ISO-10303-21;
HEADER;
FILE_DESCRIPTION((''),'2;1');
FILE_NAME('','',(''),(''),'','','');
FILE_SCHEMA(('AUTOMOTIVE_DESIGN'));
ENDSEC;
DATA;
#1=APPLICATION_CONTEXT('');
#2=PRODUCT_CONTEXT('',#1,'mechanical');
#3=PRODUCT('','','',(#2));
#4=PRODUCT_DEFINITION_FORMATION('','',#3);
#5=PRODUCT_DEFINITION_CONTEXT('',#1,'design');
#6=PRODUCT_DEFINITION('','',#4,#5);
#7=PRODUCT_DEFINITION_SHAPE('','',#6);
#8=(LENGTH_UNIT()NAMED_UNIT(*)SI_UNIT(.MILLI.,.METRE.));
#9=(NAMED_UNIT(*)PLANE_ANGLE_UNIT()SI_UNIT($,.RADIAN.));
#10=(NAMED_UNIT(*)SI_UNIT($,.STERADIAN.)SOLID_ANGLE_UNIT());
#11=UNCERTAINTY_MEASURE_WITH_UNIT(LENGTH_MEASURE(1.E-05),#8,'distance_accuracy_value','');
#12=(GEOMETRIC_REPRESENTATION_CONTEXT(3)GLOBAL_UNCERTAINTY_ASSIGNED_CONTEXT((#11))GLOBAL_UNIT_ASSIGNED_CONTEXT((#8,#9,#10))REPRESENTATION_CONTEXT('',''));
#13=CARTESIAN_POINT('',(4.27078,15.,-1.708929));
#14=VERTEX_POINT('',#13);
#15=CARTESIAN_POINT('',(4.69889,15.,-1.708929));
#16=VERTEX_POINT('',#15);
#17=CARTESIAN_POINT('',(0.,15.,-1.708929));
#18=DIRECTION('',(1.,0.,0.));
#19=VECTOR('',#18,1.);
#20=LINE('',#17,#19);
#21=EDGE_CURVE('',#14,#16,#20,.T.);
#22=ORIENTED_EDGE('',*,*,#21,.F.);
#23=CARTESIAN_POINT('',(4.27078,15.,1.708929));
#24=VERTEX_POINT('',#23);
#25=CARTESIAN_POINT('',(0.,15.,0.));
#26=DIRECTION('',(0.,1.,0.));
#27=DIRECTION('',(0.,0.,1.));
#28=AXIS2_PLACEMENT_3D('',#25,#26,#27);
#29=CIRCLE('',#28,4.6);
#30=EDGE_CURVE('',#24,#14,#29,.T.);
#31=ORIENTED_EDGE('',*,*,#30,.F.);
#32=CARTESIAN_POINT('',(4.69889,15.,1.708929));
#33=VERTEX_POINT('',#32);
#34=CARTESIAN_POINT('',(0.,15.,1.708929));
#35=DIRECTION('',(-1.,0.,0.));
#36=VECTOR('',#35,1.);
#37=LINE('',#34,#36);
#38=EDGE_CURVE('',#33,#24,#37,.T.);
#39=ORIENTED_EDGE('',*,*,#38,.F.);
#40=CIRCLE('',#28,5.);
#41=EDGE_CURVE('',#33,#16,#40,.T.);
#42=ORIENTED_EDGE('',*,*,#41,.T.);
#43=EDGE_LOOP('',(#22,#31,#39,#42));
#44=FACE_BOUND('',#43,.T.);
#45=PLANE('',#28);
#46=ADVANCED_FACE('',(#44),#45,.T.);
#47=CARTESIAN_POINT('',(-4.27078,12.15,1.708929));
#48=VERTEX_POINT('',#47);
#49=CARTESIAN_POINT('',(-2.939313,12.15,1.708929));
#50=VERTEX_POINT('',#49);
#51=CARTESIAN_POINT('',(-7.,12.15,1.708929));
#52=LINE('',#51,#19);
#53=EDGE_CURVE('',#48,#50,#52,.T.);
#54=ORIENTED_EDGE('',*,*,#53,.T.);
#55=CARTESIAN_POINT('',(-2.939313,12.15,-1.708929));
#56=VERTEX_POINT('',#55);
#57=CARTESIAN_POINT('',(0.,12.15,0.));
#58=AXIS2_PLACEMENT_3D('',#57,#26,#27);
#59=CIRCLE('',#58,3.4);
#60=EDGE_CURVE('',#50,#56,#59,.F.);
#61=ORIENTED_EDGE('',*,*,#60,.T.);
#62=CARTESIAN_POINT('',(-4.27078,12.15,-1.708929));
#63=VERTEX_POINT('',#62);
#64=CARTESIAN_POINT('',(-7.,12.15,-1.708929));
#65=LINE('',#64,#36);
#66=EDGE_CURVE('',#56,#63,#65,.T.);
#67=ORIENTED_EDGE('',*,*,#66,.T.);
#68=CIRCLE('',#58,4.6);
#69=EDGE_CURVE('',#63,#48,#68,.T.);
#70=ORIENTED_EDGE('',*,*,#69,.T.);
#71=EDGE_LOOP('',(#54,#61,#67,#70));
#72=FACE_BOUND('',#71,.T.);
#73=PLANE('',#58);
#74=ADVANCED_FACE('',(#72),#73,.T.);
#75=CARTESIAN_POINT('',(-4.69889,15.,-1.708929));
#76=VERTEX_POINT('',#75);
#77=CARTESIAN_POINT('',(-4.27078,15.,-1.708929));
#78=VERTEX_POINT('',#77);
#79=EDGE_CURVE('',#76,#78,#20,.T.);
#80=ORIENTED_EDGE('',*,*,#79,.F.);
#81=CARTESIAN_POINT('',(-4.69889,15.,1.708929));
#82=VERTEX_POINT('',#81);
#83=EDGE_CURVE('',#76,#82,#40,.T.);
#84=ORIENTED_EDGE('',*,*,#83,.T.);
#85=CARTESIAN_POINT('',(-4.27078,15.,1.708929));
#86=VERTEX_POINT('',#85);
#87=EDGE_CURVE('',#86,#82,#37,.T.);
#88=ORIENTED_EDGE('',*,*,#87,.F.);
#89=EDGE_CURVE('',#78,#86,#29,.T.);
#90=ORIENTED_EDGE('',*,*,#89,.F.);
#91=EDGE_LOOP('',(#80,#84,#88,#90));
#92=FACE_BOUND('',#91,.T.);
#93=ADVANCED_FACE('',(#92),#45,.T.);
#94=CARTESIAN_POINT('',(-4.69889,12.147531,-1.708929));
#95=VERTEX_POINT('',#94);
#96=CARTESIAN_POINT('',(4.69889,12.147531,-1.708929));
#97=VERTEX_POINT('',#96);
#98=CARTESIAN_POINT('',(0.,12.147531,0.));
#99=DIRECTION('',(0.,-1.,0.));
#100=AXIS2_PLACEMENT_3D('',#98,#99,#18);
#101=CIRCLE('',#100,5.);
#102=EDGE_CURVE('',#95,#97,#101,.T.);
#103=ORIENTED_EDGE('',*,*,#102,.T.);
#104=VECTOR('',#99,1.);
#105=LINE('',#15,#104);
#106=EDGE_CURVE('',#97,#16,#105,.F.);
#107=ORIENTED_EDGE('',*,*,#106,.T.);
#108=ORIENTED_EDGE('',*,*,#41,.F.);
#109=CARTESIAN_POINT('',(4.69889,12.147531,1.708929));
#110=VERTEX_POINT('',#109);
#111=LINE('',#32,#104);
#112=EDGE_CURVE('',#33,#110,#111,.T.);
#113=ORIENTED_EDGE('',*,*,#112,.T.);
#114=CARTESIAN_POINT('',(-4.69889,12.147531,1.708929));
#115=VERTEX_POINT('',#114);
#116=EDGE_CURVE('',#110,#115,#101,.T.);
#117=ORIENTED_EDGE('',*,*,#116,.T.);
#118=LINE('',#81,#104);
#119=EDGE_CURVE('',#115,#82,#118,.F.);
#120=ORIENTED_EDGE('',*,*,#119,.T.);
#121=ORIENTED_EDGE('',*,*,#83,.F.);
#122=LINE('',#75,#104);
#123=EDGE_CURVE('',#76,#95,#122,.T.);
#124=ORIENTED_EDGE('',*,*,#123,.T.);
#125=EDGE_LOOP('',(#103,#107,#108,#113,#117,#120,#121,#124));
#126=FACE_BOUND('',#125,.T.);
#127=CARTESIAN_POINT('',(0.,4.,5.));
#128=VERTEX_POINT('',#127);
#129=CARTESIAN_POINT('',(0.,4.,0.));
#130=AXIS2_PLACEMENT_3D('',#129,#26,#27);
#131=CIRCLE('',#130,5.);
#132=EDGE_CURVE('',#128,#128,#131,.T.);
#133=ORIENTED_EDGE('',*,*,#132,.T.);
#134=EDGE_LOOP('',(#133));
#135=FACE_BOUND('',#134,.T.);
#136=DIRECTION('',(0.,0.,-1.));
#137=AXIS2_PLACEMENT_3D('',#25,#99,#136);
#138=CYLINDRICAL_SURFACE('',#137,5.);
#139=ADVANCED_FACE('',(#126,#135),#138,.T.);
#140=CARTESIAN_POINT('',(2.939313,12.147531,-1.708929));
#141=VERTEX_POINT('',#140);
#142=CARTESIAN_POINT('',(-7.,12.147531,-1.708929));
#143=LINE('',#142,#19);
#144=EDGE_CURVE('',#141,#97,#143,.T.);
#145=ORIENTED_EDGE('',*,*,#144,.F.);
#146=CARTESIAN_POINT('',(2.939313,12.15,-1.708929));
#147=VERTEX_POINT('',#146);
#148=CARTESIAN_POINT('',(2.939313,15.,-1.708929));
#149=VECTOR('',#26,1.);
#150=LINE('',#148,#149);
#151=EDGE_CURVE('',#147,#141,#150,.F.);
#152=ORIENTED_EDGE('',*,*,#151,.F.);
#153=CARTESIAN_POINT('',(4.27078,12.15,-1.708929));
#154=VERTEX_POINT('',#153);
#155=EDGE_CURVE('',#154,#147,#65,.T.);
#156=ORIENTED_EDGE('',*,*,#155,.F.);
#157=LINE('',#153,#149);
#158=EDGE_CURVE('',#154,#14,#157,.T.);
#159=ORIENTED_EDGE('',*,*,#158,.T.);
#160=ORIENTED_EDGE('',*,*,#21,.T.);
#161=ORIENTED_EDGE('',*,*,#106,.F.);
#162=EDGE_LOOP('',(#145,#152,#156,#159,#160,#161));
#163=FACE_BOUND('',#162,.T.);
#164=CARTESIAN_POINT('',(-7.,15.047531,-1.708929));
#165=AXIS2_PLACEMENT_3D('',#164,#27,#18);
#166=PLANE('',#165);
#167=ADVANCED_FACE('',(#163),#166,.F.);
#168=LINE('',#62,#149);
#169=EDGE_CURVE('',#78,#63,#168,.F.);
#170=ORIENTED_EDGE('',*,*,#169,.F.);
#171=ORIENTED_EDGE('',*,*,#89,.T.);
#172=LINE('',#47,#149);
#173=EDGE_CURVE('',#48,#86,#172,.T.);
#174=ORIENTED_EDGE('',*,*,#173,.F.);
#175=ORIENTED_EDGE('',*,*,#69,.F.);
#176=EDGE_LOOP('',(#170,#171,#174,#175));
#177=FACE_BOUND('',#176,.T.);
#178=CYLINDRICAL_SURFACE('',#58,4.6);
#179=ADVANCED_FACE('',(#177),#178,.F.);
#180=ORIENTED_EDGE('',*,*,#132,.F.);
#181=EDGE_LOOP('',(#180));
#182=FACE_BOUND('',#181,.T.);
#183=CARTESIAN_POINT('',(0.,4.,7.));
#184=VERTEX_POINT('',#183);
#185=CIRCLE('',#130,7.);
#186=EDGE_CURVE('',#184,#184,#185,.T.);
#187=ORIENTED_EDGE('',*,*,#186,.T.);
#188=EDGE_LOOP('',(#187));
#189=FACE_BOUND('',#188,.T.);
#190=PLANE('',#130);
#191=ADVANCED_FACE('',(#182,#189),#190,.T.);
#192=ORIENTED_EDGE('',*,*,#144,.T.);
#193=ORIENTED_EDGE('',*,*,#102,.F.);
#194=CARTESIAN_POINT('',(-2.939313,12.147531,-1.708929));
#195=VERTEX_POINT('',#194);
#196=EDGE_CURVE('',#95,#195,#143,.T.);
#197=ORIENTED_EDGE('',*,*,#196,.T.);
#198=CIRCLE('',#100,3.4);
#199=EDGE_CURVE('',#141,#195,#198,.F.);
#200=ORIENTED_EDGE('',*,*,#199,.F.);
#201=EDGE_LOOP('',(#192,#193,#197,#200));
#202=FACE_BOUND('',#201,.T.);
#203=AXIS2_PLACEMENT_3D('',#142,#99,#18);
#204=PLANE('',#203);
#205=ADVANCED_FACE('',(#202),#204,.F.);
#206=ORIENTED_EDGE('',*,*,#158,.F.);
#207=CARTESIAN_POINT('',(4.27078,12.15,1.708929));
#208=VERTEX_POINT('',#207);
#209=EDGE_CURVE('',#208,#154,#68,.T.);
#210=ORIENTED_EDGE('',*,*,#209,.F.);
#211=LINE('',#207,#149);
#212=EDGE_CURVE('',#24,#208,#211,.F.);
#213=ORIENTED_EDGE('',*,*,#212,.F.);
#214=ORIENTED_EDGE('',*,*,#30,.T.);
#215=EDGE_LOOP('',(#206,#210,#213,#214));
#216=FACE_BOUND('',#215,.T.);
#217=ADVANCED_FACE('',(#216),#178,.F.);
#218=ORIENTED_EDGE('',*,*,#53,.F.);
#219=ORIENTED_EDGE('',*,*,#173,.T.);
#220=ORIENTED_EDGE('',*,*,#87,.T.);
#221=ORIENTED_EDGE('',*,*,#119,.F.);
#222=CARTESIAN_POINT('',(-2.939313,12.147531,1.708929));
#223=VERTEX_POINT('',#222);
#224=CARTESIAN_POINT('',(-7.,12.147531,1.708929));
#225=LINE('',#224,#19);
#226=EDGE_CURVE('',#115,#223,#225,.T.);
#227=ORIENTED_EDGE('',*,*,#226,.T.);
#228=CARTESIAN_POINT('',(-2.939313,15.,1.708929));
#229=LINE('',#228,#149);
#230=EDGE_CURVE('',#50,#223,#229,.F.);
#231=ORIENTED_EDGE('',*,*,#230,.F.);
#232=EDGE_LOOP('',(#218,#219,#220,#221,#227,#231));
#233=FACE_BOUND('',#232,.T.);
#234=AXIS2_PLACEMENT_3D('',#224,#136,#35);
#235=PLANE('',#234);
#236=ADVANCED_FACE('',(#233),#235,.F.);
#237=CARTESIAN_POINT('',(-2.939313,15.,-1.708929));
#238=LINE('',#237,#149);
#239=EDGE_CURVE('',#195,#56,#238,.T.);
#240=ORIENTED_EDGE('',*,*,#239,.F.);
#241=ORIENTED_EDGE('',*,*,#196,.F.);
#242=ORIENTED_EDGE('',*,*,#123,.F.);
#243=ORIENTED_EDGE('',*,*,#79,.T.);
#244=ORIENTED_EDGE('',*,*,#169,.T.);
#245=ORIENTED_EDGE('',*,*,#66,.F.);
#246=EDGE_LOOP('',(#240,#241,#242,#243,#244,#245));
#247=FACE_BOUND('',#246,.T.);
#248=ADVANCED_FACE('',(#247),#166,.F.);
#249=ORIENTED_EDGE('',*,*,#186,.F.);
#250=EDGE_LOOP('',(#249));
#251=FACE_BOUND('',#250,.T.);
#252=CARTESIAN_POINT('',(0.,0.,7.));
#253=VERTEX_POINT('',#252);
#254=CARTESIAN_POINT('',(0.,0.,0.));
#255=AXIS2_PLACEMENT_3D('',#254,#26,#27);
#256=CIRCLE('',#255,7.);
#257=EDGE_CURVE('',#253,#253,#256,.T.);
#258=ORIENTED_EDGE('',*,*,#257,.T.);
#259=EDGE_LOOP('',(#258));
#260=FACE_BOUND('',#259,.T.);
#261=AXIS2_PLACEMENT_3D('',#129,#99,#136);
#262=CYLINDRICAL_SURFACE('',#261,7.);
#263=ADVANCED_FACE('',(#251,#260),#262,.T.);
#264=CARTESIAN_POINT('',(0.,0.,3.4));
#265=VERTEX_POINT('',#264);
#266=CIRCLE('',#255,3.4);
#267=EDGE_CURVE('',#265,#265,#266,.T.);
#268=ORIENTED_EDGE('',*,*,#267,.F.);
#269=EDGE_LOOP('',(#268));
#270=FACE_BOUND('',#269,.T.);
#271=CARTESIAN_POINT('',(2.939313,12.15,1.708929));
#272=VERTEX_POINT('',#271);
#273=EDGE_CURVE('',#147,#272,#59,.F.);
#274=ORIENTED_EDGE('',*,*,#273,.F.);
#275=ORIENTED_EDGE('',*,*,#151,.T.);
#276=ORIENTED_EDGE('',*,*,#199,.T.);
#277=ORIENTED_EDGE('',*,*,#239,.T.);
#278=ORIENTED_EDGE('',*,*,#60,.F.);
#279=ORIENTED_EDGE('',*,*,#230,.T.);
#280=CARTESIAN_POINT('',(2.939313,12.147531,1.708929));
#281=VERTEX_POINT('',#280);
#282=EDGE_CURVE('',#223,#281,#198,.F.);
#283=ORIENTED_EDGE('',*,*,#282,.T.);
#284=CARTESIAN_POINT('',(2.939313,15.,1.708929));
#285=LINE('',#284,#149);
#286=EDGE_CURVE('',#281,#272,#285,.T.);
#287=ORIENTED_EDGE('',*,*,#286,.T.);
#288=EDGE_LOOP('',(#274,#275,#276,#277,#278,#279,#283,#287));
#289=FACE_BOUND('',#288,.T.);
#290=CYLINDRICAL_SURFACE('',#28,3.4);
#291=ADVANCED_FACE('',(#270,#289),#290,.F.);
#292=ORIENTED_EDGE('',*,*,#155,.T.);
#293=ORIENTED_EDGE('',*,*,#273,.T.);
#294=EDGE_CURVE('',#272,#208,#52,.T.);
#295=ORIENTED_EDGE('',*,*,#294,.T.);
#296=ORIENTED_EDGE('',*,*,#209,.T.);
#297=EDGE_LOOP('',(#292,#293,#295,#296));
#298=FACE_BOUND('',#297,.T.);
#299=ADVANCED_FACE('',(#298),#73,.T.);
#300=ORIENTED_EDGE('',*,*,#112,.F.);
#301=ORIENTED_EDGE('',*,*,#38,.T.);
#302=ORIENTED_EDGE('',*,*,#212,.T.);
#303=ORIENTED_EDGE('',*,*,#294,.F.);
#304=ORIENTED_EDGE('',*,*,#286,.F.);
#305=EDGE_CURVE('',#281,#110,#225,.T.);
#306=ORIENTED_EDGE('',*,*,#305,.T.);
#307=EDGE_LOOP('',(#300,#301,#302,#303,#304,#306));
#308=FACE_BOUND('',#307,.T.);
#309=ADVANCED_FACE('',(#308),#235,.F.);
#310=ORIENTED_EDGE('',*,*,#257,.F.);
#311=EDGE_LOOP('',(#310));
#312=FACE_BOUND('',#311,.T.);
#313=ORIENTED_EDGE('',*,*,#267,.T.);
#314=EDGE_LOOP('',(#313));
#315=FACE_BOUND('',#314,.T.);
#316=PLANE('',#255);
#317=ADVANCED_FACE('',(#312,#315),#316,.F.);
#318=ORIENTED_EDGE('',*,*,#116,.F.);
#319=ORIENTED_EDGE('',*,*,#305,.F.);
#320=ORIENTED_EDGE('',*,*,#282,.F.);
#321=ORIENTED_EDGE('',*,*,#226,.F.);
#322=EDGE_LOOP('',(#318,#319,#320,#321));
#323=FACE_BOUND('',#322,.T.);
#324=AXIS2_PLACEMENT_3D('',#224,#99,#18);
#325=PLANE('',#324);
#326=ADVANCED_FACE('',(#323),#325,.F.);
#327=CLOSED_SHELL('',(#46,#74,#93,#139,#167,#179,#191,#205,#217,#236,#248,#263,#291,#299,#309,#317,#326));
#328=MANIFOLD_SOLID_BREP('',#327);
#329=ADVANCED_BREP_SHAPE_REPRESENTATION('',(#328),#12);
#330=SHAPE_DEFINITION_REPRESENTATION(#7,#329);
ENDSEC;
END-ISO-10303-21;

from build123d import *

# Parameters (mm, degrees)
SKETCH_1_R                   = 7
EXTRUDE_1_DEPTH              = 4
SKETCH_5_R                   = 5
EXTRUDE_2_DEPTH              = 11
HOLE_WIZARD_M8_1_D           = 6.8
HOLE_WIZARD_M8_1_ON_FACE_2_D = 6.8
CUT_EXTRUDE_4_DEPTH          = 21.443853316
CUT_EXTRUDE_4_DEPTH_BACK     = 21.443853316
SKETCH_11_W                  = 5.891851166
SKETCH_11_H                  = 2.9
SKETCH_11_W_2                = 4.303127725
SKETCH_12_R                  = 4.6
CUT_EXTRUDE_5_DEPTH          = 2.85


with BuildPart() as part:
    # 草图1 → 凸台-拉伸1 (new body)
    with BuildSketch(Plane(origin=(0, 0, 0), x_dir=(1, 0, 0), z_dir=(0, 1, 0))):
        with Locations(Location((0, 0, 0), (0, 0, 270))):
            Circle(SKETCH_1_R)
    extrude(amount=EXTRUDE_1_DEPTH)

    # 草图5 → 凸台-拉伸2 (add)
    with BuildSketch(Plane(origin=(0, 4, 0), x_dir=(1, 0, 0), z_dir=(0, 1, 0))):
        with Locations(Location((0, 0, 0), (0, 0, 270))):
            Circle(SKETCH_5_R)
    extrude(amount=EXTRUDE_2_DEPTH)

    # M8 螺纹孔1 (through all)
    with Locations(Plane(origin=(0, 0, 0), x_dir=(0, 0, -1), z_dir=(0, -1, 0))):
        with Locations((0, 0)):
            Hole(HOLE_WIZARD_M8_1_D / 2)

    # M8 螺纹孔1 on face 2 (through all)
    with Locations(Plane.ZX.offset(15)):
        with Locations((0, 0)):
            Hole(HOLE_WIZARD_M8_1_ON_FACE_2_D / 2)

    # 草图11 → 切除-拉伸4 (cut, two sides: drawn at the far end of the back side and taken through both)
    with BuildSketch(Plane(origin=(4.997963928, 0, 0), x_dir=(0, 0, -1), z_dir=(1, 0, 0)).offset(-CUT_EXTRUDE_4_DEPTH_BACK)):
        with Locations((4.654854154, 13.597531036)):
            Rectangle(SKETCH_11_W, SKETCH_11_H)
        with Locations((-3.860492434, 13.597531036)):
            Rectangle(SKETCH_11_W_2, SKETCH_11_H)
    extrude(amount=CUT_EXTRUDE_4_DEPTH + CUT_EXTRUDE_4_DEPTH_BACK, mode=Mode.SUBTRACT)

    # 草图12 → 切除-拉伸5 (cut)
    with BuildSketch(Plane(origin=(0, 15, 0), x_dir=(1, 0, 0), z_dir=(0, 1, 0))):
        Circle(SKETCH_12_R)
    extrude(amount=-CUT_EXTRUDE_5_DEPTH, mode=Mode.SUBTRACT)


solid = part.part
